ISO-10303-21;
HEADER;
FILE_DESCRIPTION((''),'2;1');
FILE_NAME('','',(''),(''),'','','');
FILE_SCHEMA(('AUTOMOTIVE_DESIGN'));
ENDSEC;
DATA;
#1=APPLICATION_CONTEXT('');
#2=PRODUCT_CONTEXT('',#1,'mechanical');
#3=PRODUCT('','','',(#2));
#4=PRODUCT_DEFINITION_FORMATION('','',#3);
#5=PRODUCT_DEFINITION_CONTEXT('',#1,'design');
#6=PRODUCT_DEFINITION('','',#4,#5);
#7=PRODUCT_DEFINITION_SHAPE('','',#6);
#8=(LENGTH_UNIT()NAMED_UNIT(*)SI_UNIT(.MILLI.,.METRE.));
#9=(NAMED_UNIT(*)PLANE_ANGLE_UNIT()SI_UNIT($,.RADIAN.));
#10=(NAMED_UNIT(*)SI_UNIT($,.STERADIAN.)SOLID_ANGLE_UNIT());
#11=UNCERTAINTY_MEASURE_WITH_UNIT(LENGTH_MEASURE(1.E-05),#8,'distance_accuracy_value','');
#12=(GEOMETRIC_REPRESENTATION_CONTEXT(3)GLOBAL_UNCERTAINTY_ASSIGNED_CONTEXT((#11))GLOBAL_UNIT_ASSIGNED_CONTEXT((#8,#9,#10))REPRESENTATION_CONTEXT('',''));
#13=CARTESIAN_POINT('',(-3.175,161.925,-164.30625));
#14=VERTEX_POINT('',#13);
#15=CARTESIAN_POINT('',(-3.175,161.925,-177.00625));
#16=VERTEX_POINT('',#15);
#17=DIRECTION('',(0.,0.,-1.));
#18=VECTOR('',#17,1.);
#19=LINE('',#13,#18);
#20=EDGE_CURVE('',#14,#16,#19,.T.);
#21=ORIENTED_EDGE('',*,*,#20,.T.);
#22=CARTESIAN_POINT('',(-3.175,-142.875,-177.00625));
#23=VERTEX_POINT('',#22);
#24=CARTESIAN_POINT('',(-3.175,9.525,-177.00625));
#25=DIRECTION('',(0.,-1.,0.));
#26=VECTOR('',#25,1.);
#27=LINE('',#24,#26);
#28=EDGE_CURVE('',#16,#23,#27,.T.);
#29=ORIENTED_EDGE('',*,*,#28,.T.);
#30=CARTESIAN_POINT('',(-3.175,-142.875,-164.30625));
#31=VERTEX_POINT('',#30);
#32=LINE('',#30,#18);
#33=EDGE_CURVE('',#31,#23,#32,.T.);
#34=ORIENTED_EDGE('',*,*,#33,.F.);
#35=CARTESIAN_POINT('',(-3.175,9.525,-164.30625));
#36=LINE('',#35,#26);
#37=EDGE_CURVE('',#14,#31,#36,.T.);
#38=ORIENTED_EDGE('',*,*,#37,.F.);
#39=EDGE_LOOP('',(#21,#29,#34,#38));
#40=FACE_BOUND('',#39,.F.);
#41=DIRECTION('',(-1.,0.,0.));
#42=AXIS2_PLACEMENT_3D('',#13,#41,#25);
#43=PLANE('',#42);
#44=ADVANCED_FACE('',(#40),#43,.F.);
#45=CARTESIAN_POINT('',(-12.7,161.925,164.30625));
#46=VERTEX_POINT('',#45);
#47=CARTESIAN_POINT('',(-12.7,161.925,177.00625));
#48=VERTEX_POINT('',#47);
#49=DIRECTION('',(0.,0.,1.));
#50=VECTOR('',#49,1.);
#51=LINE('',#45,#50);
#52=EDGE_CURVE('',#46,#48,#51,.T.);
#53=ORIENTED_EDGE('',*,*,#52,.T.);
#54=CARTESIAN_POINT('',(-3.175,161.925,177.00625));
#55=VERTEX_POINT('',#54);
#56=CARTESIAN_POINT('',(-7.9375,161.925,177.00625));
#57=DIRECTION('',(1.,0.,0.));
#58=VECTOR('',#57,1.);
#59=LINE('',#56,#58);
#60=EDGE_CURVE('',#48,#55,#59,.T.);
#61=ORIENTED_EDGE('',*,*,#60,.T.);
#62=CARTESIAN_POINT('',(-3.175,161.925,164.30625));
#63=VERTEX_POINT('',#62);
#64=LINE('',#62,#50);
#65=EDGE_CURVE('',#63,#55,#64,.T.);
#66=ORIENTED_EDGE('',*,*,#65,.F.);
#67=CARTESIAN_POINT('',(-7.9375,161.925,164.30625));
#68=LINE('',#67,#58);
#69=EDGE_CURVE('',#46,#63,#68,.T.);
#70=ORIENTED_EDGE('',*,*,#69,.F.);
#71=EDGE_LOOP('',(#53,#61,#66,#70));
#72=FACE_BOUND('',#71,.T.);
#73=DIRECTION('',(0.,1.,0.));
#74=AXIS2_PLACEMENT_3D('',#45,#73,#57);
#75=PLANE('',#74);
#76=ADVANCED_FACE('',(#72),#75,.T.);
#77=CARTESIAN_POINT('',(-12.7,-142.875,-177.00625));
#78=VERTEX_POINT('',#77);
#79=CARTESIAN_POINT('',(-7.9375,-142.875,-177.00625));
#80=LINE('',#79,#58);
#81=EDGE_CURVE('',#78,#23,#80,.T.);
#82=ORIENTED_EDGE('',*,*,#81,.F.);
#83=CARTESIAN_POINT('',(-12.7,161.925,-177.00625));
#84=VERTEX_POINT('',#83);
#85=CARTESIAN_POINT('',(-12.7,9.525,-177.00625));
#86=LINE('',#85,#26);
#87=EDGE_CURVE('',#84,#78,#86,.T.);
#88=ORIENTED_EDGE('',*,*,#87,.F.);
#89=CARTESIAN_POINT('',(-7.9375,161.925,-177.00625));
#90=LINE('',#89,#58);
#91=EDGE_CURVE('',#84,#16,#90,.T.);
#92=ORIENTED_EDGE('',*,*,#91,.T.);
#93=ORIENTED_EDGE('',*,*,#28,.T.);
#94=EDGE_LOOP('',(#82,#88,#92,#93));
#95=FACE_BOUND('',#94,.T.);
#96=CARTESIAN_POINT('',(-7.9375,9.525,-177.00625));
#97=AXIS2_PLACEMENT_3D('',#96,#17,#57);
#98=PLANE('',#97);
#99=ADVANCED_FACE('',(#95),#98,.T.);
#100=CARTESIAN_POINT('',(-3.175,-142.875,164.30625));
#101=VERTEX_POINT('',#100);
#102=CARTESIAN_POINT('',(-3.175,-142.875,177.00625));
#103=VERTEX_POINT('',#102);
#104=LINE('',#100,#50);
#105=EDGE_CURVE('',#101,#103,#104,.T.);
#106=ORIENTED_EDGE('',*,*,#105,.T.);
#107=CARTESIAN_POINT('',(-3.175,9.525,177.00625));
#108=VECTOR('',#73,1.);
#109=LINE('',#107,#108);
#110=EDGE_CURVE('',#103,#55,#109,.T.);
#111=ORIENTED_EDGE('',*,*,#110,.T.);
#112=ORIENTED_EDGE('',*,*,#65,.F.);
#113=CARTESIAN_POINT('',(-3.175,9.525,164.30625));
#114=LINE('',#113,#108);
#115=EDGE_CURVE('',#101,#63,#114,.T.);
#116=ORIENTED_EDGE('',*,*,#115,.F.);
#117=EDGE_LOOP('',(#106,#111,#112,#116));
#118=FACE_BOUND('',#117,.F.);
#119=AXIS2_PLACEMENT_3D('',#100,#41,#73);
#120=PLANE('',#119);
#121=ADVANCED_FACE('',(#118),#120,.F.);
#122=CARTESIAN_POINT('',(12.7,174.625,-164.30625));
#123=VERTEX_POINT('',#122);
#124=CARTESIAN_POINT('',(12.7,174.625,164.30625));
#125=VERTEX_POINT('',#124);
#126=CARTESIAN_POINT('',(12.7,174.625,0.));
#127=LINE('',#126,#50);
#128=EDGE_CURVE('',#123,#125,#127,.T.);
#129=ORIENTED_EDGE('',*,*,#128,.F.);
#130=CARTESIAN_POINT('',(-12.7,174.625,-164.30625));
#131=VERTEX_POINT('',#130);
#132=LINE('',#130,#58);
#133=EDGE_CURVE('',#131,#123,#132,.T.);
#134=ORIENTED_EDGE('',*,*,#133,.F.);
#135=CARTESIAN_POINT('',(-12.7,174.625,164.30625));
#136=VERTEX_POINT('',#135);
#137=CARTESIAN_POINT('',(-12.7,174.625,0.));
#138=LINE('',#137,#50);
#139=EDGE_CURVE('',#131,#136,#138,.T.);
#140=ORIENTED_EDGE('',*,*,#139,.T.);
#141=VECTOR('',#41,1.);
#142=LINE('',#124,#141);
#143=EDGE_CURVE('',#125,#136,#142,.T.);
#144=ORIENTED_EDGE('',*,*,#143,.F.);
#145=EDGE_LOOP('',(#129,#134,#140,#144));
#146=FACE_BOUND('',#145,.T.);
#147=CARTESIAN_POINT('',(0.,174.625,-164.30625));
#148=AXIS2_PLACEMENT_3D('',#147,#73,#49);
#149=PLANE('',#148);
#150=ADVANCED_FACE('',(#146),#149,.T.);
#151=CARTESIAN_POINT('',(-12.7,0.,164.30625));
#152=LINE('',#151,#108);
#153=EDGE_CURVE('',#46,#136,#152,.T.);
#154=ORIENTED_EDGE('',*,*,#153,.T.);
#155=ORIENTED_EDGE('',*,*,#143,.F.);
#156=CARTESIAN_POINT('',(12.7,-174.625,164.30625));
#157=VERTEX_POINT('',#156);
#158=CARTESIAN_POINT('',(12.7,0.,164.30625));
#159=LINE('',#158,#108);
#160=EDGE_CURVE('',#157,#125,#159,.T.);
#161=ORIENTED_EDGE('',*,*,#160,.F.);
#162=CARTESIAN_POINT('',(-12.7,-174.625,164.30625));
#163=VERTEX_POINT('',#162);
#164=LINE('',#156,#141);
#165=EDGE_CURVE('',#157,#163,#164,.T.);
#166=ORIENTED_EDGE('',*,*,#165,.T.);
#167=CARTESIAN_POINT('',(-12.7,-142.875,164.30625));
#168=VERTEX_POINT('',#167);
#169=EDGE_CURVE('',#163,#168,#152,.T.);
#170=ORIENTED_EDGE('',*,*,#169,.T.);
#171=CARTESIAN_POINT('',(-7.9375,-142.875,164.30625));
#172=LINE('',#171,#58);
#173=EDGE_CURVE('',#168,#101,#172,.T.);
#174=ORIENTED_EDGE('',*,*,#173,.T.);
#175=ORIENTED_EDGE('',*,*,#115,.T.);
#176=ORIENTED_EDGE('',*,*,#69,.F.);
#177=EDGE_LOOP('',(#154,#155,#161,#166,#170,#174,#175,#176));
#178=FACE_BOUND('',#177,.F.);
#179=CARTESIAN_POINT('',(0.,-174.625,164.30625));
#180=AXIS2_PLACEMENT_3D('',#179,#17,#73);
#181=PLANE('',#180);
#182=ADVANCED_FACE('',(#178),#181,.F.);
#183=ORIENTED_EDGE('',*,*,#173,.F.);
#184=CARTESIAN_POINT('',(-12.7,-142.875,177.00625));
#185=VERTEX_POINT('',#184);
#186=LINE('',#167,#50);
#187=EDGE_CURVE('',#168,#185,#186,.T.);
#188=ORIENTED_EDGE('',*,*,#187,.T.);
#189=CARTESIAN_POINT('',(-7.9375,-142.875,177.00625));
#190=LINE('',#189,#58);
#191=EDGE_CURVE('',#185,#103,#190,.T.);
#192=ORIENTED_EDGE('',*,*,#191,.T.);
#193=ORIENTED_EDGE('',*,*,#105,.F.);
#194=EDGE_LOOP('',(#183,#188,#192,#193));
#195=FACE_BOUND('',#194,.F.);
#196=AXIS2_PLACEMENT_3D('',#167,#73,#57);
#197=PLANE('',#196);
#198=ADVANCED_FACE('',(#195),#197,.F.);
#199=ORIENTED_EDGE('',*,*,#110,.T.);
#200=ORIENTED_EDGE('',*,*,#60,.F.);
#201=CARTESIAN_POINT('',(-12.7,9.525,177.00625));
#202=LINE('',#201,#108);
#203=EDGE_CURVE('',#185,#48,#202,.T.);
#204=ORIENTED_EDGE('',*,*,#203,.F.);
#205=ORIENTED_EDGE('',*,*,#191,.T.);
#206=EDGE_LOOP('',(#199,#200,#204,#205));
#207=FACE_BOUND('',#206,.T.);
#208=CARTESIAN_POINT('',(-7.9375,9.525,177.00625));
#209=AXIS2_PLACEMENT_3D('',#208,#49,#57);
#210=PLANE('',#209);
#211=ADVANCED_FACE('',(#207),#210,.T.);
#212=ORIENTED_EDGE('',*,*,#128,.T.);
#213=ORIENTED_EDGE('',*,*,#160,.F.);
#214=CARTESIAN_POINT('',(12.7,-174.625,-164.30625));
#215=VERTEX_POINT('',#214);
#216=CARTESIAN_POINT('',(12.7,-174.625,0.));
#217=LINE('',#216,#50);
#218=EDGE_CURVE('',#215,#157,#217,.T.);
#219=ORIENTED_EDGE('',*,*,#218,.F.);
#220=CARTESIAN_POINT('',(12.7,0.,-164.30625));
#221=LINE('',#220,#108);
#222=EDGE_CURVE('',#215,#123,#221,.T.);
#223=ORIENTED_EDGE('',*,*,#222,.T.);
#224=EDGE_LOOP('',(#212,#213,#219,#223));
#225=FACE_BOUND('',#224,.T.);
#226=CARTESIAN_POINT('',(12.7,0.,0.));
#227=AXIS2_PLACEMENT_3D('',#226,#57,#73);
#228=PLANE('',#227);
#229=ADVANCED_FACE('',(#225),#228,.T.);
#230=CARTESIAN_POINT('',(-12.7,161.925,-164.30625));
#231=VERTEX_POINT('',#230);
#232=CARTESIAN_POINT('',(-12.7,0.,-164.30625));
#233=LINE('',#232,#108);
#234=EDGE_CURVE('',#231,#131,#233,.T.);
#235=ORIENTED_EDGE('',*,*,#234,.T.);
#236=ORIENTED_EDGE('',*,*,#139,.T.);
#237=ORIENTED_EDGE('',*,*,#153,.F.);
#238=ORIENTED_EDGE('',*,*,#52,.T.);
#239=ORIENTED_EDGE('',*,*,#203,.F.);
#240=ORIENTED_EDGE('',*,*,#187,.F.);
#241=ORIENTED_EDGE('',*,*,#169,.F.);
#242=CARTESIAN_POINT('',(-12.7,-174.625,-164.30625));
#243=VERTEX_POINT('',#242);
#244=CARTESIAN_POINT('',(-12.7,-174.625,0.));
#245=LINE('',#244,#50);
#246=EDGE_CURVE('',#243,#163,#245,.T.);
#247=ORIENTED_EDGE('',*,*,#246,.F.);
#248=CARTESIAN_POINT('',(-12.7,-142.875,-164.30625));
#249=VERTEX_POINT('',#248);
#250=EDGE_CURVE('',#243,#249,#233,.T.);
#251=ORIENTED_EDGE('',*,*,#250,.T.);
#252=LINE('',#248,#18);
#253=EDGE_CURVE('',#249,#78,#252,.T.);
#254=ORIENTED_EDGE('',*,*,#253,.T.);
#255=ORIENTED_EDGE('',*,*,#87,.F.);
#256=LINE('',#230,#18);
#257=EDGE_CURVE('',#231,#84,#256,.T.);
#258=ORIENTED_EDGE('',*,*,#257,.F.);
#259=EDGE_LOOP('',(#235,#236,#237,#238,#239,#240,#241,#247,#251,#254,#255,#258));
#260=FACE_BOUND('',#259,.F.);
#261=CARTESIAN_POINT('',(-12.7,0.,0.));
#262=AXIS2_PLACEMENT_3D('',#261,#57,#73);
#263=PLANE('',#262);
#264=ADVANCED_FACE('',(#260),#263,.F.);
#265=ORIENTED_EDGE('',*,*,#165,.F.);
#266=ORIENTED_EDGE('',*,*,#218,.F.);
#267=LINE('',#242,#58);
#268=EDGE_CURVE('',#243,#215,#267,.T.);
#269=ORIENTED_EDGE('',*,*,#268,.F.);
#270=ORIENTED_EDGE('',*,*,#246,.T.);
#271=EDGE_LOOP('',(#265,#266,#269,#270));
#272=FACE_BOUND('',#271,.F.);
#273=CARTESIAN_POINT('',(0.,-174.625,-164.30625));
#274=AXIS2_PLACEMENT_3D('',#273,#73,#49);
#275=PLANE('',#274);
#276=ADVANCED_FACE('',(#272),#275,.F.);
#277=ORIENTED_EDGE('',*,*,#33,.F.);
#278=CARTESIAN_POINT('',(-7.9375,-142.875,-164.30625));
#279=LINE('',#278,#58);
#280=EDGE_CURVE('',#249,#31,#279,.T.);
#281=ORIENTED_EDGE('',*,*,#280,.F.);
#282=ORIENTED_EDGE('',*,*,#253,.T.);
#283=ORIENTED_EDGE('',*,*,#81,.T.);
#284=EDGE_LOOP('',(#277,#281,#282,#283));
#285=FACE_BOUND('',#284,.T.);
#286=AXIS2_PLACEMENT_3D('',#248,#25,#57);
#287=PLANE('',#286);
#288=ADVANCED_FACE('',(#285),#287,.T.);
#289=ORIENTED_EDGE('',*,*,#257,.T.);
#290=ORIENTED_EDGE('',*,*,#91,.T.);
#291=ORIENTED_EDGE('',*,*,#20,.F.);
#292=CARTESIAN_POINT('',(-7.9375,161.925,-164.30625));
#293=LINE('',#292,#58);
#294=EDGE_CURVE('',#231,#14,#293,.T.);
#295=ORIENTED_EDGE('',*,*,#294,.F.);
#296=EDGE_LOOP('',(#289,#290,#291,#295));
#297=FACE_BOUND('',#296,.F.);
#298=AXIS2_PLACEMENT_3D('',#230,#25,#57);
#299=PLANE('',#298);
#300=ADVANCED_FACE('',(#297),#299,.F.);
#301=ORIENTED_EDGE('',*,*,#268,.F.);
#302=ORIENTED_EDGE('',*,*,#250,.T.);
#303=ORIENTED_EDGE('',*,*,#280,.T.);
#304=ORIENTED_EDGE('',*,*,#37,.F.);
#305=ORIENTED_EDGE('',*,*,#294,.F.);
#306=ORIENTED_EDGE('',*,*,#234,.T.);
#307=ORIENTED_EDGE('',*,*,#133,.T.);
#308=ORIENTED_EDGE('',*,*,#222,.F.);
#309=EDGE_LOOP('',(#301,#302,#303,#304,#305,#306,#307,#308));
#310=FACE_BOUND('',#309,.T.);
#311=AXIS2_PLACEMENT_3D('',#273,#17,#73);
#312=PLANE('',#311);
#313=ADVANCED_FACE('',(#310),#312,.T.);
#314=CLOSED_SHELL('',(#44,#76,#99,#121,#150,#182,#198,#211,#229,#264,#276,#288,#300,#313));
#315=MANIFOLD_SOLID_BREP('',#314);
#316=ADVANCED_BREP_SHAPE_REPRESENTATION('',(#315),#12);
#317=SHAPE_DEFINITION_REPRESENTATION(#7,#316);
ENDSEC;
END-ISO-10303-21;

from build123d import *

# Parameters (mm, degrees)
F0_W     = 349.25
F0_H     = 328.6125
F1_DEPTH = 12.7
F2_W     = 9.525
F2_H     = 304.8
F3_DEPTH = 12.7
F4_W     = 9.525
F4_H     = 304.8
F5_DEPTH = 12.7


with BuildPart() as f1:
    # F0 (on Right) → F1 (new body, symmetric)
    with BuildSketch(Plane.YZ):
        Rectangle(F0_W, F0_H)
    extrude(amount=F1_DEPTH, both=True)

    # F2 (on face) → F3 (join)
    with BuildSketch(Plane.XY.offset(164.30625)):
        with Locations((-7.9375, 9.525)):
            Rectangle(F2_W, F2_H)
    extrude(amount=F3_DEPTH)

    # F4 (on face) → F5 (join)
    with BuildSketch(Plane(origin=(0, 0, -164.30625), x_dir=(1, 0, 0), z_dir=(0, 0, -1))):
        with Locations((-7.9375, -9.525)):
            Rectangle(F4_W, F4_H)
    extrude(amount=F5_DEPTH)


solid = f1.part
